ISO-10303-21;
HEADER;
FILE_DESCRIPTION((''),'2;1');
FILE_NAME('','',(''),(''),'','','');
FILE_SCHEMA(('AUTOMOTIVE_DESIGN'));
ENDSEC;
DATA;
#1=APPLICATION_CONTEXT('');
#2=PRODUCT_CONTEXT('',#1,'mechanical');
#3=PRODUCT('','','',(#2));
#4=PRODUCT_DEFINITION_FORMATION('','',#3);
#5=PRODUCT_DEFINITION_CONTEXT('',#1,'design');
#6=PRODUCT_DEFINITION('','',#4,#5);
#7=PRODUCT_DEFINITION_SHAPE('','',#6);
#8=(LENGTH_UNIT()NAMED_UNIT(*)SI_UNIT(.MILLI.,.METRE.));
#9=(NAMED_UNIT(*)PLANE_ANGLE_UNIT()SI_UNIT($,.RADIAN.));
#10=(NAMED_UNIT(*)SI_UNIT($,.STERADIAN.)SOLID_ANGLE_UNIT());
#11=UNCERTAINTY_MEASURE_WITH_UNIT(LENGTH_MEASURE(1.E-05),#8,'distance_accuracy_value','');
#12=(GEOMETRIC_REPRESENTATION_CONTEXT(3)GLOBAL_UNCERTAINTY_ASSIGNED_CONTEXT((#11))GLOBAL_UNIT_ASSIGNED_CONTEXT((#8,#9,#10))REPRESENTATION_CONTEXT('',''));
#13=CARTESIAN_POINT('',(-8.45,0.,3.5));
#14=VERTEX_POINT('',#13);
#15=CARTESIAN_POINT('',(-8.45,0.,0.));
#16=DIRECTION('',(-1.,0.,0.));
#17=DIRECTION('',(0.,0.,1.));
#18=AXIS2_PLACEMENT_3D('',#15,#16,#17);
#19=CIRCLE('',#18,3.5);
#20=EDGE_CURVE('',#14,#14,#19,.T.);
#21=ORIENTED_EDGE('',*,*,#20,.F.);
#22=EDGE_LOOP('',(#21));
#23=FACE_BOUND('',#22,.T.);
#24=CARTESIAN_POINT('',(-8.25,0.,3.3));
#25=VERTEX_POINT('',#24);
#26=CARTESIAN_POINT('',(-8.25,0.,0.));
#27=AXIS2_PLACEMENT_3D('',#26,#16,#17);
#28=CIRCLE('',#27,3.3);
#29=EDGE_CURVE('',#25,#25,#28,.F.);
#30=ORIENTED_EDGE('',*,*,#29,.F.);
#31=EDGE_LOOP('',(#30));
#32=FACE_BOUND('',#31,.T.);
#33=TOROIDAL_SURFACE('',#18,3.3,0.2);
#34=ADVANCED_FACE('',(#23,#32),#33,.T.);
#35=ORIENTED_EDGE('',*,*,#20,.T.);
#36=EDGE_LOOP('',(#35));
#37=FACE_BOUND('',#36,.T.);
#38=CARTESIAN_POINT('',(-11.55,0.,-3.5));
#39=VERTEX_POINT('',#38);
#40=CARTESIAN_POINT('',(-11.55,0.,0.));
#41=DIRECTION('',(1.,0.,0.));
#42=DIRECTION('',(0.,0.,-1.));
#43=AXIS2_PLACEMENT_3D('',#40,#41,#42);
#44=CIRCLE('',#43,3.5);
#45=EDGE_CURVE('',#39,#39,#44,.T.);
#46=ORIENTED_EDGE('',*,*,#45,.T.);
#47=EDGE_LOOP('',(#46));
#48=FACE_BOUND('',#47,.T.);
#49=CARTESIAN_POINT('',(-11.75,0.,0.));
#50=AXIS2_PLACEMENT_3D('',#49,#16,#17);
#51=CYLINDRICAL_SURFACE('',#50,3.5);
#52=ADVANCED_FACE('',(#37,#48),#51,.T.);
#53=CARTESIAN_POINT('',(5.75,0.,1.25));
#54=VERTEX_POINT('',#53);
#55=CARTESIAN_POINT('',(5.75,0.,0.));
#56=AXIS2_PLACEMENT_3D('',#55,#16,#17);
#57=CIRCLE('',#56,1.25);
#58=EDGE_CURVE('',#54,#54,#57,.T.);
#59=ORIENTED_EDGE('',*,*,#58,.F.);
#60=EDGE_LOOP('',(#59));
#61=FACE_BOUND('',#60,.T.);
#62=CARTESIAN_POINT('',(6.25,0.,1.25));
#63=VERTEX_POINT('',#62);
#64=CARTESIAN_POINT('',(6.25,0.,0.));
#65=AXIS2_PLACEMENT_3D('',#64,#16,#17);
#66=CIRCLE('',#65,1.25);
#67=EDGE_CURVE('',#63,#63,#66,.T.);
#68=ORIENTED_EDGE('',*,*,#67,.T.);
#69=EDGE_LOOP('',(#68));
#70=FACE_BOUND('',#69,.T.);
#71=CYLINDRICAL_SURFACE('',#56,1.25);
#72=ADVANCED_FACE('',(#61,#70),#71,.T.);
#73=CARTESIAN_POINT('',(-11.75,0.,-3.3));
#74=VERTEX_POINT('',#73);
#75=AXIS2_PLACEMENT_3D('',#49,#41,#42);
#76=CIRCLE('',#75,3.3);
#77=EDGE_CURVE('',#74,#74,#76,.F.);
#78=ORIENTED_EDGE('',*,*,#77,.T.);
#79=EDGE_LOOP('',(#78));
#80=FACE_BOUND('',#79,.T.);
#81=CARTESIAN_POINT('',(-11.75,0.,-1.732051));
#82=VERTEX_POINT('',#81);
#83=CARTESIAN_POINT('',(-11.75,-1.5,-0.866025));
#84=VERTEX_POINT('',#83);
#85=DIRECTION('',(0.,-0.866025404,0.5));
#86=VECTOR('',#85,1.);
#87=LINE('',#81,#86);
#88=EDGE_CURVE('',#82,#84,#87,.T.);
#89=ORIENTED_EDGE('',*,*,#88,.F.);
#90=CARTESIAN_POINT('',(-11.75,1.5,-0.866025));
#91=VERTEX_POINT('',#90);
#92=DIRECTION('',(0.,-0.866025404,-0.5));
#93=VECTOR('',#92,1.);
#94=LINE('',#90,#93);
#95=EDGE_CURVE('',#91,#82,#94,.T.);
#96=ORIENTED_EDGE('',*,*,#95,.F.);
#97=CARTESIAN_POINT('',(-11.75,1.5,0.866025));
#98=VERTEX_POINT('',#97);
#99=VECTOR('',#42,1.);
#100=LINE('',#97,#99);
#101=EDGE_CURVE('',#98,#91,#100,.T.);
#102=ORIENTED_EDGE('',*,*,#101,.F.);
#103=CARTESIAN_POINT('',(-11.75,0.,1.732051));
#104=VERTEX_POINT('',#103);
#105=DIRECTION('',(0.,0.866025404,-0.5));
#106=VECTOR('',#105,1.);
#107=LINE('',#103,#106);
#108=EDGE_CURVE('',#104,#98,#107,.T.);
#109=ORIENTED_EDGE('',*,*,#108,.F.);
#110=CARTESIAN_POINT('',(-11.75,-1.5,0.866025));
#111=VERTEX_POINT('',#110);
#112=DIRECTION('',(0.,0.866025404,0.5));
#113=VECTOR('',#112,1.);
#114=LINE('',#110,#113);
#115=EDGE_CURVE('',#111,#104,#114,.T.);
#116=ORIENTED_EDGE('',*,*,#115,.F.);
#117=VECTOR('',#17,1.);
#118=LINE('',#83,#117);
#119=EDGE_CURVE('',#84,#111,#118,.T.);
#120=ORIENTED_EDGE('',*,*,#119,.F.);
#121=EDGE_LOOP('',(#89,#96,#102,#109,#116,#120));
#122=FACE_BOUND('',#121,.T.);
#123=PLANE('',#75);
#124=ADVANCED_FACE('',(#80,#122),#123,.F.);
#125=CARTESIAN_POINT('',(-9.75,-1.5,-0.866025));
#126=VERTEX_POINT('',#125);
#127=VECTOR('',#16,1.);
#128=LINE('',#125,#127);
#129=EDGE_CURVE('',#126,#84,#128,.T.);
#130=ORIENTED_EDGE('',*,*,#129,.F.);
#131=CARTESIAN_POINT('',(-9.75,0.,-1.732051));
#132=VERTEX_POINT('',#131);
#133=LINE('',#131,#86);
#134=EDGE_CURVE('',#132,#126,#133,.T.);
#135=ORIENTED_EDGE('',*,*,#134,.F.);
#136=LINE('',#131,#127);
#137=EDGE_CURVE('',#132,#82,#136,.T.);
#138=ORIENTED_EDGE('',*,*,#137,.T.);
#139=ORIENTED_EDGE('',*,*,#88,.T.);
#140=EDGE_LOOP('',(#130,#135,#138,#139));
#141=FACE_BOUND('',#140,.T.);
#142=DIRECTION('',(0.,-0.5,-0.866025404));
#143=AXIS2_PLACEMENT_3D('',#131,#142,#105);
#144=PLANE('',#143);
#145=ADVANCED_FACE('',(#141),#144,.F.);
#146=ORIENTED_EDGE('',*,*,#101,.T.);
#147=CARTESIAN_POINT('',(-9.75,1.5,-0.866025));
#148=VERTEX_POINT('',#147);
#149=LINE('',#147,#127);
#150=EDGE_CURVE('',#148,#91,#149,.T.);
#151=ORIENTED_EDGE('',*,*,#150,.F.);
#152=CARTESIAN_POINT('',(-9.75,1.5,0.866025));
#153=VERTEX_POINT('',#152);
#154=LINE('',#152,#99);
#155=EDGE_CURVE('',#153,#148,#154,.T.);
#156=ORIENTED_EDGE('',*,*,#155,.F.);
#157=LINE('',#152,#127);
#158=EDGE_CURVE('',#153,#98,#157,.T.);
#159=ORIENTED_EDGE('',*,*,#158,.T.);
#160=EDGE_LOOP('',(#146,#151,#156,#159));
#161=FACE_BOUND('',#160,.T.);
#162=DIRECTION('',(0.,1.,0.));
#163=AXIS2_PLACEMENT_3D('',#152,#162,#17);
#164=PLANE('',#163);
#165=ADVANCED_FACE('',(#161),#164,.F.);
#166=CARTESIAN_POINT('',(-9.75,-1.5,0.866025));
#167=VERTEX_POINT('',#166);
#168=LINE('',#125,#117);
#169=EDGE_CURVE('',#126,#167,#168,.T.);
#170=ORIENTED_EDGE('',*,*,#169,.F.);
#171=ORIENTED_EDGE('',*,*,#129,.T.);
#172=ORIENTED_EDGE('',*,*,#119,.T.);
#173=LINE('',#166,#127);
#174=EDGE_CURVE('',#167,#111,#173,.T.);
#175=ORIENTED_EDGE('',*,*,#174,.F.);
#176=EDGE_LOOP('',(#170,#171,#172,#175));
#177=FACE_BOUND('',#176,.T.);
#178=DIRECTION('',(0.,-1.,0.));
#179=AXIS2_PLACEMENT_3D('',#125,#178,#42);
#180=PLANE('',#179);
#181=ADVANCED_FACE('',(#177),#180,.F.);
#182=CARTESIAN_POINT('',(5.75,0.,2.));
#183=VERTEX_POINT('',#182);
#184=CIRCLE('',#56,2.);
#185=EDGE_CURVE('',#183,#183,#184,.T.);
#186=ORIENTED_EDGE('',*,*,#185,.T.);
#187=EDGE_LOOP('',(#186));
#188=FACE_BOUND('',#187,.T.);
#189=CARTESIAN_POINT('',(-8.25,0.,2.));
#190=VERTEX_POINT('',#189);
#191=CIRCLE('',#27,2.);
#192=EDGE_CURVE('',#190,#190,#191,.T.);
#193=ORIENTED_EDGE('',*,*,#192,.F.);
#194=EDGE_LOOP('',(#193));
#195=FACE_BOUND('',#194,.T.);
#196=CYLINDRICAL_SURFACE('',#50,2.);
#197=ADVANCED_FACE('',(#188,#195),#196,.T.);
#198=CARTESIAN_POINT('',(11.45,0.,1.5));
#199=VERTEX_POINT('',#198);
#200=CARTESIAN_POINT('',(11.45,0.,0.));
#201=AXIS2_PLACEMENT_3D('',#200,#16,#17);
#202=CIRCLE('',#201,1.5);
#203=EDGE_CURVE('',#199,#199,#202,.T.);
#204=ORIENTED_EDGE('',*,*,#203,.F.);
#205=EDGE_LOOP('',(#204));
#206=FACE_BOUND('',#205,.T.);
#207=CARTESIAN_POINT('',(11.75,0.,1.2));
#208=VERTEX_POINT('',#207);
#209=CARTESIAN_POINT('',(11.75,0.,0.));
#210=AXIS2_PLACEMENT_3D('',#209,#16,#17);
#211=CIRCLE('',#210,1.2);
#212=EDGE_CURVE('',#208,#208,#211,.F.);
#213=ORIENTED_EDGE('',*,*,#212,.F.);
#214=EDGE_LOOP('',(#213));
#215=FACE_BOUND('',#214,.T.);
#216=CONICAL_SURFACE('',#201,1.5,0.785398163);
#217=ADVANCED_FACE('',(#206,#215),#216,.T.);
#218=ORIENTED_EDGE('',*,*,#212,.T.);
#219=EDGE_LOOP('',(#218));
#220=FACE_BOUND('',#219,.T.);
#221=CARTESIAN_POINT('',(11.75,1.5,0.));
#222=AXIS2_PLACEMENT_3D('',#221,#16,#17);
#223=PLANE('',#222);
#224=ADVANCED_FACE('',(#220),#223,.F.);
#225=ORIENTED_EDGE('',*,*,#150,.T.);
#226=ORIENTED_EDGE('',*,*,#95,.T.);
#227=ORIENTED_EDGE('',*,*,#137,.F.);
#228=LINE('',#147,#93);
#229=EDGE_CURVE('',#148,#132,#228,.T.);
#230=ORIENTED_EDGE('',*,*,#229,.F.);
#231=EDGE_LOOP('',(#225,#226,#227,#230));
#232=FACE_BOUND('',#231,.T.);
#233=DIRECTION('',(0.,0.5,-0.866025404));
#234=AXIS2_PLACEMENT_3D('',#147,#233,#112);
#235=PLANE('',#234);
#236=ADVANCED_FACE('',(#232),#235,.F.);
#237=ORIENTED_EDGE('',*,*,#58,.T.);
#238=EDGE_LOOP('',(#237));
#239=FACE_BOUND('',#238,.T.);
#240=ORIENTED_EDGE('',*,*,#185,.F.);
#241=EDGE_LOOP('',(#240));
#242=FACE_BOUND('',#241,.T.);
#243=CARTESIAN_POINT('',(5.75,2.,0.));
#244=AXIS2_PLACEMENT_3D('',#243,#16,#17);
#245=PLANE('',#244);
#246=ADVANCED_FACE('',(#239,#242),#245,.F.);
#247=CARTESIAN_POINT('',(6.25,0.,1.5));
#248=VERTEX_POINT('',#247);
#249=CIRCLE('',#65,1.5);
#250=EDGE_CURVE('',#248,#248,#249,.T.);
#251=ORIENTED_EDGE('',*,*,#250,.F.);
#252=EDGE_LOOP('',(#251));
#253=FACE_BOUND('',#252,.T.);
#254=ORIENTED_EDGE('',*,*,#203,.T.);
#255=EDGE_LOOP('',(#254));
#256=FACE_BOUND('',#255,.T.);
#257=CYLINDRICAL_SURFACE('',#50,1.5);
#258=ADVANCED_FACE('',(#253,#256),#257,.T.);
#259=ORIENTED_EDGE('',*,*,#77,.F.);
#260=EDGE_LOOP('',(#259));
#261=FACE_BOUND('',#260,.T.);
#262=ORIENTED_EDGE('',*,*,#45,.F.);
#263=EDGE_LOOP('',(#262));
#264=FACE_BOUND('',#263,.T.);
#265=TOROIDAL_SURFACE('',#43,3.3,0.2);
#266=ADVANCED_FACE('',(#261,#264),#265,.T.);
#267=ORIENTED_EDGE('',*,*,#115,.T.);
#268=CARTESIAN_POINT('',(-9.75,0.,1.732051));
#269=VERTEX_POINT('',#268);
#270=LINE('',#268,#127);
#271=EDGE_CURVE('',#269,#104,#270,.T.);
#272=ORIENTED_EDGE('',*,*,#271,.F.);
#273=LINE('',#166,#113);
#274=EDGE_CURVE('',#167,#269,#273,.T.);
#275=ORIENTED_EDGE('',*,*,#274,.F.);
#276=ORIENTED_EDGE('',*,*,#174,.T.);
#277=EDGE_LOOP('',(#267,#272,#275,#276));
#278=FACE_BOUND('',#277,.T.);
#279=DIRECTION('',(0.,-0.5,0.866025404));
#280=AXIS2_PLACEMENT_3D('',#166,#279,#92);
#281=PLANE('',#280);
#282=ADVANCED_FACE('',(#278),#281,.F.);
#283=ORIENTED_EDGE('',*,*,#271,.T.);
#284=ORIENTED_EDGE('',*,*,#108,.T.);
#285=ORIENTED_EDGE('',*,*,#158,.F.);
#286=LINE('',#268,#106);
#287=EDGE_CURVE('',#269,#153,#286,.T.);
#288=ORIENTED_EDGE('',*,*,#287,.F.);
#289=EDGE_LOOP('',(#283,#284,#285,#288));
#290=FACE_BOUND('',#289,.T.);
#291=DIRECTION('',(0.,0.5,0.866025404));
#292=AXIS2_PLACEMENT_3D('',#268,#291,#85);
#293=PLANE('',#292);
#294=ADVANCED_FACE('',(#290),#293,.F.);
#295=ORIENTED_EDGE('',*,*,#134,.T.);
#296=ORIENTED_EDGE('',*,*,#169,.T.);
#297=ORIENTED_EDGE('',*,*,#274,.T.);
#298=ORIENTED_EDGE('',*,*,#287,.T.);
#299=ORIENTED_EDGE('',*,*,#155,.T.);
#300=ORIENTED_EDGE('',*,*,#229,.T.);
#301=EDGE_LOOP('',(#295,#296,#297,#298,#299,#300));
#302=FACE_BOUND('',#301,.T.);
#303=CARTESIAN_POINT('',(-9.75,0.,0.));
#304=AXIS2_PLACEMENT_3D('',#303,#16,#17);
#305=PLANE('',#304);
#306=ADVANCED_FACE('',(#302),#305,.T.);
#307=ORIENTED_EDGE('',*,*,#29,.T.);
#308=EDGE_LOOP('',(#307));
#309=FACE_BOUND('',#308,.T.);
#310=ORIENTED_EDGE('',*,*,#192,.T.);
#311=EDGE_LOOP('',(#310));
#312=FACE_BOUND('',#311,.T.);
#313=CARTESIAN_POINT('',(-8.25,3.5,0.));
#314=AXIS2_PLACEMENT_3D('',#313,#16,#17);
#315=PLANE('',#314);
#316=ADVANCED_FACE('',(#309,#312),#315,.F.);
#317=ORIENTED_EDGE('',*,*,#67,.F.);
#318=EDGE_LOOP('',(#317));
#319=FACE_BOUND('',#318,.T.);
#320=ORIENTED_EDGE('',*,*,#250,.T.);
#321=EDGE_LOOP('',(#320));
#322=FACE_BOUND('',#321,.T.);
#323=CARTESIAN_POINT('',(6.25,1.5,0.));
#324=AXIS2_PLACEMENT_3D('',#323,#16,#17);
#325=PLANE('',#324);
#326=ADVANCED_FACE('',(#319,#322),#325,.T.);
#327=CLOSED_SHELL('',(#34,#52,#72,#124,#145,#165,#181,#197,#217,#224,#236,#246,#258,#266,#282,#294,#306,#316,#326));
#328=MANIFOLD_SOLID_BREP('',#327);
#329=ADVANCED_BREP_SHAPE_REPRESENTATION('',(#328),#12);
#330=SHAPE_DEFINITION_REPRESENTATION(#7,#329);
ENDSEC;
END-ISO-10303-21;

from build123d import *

# Parameters (mm, degrees)
FILLET_1_R          = 0.2
CHAMFER_1_SIZE      = 0.3
SKETCH_3_W          = 0.5
SKETCH_3_H          = 0.25
CUT_EXTRUDE_1_DEPTH = 2


with BuildPart() as part:
    # 草图1 → 旋转1 (revolve)
    with BuildSketch(Plane.XY):
        Polygon((-11.75, 0), (-11.75, 3.5), (-8.25, 3.5), (-8.25, 2), (5.75, 2), (5.75, 1.5), (11.75, 1.5), (11.75, 0), align=None)
    revolve(axis=Axis((-11.75, 0, 0), (1, 0, 0)))

    # 圆角1
    fillet_1_edges = [part.edges().sort_by_distance(p)[0] for p in [
        (-8.25, -3.5, 0),
        (-11.75, -3.5, 0),
    ]]
    fillet(fillet_1_edges, radius=FILLET_1_R)

    # 倒角1
    chamfer_1_edges = [part.edges().sort_by_distance(p)[0] for p in [
        (11.75, -1.5, 0),
    ]]
    chamfer(chamfer_1_edges, length=CHAMFER_1_SIZE)

    # 草图3 → 切除-旋转1 (revolve, cut)
    with BuildSketch(Plane.XY):
        with Locations((6, 1.375)):
            Rectangle(SKETCH_3_W, SKETCH_3_H)
    revolve(axis=Axis((5.75, 0, 0), (1, 0, 0)), mode=Mode.SUBTRACT)

    # 草图4 → 切除-拉伸1 (cut)
    with BuildSketch(Plane.ZY.offset(11.75)):
        Polygon((1.732050808, 0), (0.866025404, 1.5), (-0.866025404, 1.5), (-1.732050808, 0), (-0.866025404, -1.5), (0.866025404, -1.5), align=None)
    extrude(amount=-CUT_EXTRUDE_1_DEPTH, mode=Mode.SUBTRACT)


solid = part.part
